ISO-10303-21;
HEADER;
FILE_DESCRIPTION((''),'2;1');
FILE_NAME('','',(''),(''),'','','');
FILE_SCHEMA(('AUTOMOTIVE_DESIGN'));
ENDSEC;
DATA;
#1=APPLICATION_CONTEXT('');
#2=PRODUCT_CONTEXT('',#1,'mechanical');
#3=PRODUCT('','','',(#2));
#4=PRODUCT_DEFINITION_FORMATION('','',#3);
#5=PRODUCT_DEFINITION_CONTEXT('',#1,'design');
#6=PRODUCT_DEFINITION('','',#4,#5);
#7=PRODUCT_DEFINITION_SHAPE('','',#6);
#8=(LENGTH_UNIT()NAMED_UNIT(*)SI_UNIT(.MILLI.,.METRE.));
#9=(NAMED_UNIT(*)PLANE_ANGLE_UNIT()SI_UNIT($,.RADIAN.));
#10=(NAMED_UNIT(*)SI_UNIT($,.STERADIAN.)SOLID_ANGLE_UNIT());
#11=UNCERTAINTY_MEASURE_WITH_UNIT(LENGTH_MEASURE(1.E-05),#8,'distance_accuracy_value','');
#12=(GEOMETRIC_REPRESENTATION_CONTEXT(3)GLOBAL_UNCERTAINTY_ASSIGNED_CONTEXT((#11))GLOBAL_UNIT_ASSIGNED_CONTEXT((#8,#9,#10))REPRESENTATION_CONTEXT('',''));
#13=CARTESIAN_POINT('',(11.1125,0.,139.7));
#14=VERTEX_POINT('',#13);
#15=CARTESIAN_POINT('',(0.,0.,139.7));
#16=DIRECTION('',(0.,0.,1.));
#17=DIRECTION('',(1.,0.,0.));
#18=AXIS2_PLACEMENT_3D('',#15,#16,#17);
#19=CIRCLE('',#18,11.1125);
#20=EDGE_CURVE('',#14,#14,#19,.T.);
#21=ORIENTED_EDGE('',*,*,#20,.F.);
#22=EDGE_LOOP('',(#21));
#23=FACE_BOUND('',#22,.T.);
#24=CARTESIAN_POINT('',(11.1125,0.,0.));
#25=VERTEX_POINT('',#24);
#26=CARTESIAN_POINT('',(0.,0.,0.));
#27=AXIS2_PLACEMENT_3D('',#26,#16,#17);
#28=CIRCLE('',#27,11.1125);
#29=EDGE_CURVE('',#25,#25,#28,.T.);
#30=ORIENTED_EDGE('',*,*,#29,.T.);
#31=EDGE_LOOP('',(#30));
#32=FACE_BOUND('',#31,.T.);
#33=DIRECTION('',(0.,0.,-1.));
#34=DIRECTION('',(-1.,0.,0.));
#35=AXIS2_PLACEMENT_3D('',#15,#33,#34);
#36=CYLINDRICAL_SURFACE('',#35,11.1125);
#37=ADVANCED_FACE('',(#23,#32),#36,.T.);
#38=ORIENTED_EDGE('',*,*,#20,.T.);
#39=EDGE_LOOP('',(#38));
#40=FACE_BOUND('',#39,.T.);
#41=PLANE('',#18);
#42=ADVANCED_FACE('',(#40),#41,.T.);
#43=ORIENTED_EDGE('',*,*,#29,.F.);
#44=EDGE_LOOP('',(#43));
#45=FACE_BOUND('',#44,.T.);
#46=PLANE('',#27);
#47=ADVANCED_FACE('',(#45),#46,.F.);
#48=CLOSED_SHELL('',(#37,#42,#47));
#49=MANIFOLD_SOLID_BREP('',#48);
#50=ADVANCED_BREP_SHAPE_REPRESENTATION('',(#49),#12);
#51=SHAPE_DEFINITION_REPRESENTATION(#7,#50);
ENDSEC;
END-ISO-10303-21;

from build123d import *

# Parameters (mm, degrees)
MARKER_BODY_SKETCH_R      = 11.1125
MARKER_BODY_EXTRUDE_DEPTH = 139.7


with BuildPart() as part:
    # Marker Body Sketch → Marker Body Extrude (new body)
    with BuildSketch(Plane.XY):
        Circle(MARKER_BODY_SKETCH_R)
    extrude(amount=MARKER_BODY_EXTRUDE_DEPTH)


solid = part.part
